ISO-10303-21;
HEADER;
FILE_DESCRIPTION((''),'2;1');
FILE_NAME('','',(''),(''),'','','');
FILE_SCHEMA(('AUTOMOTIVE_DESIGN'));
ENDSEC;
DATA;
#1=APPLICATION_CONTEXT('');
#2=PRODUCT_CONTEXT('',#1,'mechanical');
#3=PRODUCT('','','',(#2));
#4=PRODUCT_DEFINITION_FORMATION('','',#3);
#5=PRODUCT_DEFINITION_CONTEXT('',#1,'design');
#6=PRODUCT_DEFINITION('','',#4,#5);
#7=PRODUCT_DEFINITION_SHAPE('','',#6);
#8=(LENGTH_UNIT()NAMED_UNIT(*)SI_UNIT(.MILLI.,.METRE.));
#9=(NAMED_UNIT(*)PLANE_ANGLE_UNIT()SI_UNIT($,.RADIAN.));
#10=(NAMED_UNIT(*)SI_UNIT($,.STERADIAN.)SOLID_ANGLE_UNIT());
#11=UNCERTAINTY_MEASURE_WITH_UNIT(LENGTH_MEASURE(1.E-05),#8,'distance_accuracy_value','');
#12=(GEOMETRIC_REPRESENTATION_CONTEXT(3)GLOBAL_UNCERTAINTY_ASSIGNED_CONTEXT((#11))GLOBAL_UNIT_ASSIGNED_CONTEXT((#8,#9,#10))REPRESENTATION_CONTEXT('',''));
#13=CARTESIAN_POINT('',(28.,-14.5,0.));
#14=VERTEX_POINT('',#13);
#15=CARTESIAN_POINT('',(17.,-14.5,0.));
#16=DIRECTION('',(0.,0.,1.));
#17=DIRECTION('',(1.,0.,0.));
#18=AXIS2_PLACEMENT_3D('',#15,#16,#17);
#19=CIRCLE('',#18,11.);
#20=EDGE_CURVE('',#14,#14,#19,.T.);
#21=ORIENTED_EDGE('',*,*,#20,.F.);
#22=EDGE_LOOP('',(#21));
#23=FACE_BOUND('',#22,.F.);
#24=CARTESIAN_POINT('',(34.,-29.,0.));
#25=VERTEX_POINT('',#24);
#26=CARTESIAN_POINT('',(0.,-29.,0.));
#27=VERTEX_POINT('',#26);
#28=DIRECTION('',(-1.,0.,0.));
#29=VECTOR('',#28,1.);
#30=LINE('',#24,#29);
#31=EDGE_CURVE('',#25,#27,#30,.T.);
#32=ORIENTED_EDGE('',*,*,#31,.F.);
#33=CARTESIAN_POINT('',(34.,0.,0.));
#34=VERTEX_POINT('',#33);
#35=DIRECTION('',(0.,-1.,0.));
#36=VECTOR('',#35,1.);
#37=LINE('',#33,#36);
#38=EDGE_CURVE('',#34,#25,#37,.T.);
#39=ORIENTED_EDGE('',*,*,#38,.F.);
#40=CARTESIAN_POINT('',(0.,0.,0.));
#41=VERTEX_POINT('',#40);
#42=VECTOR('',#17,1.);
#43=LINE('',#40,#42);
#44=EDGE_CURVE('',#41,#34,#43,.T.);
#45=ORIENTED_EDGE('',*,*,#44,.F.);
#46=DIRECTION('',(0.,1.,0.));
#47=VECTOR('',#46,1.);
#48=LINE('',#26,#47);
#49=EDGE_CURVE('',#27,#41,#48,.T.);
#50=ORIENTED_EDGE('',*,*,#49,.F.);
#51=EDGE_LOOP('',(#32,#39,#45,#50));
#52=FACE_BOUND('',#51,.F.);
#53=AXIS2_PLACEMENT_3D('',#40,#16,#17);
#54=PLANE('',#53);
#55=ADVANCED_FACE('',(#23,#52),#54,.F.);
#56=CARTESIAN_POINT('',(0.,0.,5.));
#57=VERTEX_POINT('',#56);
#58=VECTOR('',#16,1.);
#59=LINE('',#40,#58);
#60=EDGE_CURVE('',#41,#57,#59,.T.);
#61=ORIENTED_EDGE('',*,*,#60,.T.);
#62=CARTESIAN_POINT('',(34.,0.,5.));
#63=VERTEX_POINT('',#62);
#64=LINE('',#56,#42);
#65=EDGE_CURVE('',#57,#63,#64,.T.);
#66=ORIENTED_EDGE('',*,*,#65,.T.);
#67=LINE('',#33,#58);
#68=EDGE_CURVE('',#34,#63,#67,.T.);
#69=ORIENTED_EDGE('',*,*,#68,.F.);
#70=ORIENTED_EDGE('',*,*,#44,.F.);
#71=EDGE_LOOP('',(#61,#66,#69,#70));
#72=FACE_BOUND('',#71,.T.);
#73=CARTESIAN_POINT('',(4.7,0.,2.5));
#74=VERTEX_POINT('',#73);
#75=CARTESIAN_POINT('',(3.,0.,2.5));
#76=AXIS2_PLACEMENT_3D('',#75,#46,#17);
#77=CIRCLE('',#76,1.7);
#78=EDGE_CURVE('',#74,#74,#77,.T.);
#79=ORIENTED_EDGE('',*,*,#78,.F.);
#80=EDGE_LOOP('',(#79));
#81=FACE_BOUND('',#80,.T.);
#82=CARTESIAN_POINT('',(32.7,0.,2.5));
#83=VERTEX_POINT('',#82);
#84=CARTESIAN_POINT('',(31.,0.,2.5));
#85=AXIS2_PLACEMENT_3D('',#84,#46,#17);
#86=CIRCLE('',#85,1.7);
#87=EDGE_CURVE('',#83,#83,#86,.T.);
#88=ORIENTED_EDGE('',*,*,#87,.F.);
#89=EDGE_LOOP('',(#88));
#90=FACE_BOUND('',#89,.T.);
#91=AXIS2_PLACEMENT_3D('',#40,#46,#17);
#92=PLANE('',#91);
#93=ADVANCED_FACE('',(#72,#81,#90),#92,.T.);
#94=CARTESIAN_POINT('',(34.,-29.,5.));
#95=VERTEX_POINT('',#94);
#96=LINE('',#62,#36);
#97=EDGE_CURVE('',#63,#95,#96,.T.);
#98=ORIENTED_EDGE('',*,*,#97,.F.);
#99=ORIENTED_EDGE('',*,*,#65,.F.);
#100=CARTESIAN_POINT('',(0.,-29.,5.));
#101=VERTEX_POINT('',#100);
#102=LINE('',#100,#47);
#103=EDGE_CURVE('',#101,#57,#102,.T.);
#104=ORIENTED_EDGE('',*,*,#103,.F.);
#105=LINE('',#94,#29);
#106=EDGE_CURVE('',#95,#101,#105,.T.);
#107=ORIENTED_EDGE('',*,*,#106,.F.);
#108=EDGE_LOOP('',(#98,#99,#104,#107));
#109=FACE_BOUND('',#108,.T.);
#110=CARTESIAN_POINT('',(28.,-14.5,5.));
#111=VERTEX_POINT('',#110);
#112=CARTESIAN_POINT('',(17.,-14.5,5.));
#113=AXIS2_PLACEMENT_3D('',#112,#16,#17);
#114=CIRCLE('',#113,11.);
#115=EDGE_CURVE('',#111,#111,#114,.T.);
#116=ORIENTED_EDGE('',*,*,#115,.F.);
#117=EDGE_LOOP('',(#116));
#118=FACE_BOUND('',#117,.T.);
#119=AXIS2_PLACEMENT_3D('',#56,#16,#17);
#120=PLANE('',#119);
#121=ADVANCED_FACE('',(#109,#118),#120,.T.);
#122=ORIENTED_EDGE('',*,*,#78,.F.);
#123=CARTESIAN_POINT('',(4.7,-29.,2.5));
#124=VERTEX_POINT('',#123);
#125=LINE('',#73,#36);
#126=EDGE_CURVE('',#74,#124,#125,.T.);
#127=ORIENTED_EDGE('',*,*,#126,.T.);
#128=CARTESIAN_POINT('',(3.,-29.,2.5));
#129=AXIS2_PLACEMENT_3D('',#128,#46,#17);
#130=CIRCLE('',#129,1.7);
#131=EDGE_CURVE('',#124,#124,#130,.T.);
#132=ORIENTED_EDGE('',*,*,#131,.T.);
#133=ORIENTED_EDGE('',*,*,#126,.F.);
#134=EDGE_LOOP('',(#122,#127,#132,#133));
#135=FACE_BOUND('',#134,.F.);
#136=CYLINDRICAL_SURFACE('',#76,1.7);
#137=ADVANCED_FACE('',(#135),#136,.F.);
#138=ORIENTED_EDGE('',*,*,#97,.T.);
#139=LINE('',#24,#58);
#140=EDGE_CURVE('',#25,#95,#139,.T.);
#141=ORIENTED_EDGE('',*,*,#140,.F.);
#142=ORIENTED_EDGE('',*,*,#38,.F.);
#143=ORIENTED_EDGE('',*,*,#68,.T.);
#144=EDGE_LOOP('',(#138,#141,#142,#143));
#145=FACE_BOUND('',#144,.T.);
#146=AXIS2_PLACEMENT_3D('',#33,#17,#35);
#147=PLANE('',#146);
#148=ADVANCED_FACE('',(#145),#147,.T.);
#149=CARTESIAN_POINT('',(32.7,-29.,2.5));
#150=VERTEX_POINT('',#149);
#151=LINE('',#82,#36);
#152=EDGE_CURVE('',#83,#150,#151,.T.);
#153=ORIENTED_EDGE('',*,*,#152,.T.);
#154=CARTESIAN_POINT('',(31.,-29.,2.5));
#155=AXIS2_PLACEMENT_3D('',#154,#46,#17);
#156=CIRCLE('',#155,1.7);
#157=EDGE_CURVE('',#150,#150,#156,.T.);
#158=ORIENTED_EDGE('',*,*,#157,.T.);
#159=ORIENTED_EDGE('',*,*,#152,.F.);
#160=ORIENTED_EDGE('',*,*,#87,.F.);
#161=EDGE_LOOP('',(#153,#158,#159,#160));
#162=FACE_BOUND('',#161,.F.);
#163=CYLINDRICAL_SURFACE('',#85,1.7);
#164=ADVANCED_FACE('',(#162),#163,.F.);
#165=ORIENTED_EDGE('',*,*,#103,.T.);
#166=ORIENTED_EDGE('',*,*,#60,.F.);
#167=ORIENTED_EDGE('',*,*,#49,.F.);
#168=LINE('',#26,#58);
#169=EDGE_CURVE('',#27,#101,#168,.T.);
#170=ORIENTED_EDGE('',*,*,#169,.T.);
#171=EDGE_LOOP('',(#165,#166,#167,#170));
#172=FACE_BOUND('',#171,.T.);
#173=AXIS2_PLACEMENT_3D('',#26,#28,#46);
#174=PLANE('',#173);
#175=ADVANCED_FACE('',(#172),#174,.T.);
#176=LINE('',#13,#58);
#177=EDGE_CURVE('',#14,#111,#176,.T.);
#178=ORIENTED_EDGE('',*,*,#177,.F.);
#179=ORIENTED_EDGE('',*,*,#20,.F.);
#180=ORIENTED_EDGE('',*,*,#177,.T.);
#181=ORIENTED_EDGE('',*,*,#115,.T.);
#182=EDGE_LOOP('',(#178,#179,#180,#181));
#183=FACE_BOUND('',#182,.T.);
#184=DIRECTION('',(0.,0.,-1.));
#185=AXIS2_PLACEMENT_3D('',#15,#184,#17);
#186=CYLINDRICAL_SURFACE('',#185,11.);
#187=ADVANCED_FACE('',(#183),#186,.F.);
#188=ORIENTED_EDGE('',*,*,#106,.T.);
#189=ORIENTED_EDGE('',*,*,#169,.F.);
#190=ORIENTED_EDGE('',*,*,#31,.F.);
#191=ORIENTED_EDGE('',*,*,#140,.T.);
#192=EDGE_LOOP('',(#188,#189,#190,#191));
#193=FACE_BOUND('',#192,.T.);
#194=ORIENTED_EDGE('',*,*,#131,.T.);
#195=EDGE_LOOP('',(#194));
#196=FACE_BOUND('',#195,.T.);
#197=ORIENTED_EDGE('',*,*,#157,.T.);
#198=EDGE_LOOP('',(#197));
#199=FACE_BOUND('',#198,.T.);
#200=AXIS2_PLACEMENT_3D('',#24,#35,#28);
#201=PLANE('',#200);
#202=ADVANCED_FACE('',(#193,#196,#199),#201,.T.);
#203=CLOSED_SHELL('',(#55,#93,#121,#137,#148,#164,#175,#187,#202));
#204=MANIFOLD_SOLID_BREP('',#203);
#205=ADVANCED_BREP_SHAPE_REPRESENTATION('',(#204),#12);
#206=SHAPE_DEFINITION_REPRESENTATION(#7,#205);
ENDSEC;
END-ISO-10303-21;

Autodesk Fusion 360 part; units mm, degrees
sketch "Sketch1" plane through (0, 0, 0) normal (0, 0, 1) x (1, 0, 0)
  line L0 (0, 0) -> (34, 0)
  line L1 (34, 0) -> (34, -29)
  line L2 (34, -29) -> (0, -29)
  line L3 (0, -29) -> (0, 0)
  circle A0 centre (17, -14.5) radius 11
  dimension "d1" = 34
  dimension "d2" = 29
  dimension "d3" = 22
extrude "Extrude1" add sketch "Sketch1" along normal blind 5
sketch "Sketch2" plane through (0, 0, 0) normal (0, 1, 0) x (1, 0, 0)
  circle A0 centre (3, -2.5) radius 1.7
  circle A1 centre (31, -2.5) radius 1.7
  dimension "d6" = 3.4
  dimension "d7" = 3.4
extrude "Extrude2" cut sketch "Sketch2" against normal blind 29
